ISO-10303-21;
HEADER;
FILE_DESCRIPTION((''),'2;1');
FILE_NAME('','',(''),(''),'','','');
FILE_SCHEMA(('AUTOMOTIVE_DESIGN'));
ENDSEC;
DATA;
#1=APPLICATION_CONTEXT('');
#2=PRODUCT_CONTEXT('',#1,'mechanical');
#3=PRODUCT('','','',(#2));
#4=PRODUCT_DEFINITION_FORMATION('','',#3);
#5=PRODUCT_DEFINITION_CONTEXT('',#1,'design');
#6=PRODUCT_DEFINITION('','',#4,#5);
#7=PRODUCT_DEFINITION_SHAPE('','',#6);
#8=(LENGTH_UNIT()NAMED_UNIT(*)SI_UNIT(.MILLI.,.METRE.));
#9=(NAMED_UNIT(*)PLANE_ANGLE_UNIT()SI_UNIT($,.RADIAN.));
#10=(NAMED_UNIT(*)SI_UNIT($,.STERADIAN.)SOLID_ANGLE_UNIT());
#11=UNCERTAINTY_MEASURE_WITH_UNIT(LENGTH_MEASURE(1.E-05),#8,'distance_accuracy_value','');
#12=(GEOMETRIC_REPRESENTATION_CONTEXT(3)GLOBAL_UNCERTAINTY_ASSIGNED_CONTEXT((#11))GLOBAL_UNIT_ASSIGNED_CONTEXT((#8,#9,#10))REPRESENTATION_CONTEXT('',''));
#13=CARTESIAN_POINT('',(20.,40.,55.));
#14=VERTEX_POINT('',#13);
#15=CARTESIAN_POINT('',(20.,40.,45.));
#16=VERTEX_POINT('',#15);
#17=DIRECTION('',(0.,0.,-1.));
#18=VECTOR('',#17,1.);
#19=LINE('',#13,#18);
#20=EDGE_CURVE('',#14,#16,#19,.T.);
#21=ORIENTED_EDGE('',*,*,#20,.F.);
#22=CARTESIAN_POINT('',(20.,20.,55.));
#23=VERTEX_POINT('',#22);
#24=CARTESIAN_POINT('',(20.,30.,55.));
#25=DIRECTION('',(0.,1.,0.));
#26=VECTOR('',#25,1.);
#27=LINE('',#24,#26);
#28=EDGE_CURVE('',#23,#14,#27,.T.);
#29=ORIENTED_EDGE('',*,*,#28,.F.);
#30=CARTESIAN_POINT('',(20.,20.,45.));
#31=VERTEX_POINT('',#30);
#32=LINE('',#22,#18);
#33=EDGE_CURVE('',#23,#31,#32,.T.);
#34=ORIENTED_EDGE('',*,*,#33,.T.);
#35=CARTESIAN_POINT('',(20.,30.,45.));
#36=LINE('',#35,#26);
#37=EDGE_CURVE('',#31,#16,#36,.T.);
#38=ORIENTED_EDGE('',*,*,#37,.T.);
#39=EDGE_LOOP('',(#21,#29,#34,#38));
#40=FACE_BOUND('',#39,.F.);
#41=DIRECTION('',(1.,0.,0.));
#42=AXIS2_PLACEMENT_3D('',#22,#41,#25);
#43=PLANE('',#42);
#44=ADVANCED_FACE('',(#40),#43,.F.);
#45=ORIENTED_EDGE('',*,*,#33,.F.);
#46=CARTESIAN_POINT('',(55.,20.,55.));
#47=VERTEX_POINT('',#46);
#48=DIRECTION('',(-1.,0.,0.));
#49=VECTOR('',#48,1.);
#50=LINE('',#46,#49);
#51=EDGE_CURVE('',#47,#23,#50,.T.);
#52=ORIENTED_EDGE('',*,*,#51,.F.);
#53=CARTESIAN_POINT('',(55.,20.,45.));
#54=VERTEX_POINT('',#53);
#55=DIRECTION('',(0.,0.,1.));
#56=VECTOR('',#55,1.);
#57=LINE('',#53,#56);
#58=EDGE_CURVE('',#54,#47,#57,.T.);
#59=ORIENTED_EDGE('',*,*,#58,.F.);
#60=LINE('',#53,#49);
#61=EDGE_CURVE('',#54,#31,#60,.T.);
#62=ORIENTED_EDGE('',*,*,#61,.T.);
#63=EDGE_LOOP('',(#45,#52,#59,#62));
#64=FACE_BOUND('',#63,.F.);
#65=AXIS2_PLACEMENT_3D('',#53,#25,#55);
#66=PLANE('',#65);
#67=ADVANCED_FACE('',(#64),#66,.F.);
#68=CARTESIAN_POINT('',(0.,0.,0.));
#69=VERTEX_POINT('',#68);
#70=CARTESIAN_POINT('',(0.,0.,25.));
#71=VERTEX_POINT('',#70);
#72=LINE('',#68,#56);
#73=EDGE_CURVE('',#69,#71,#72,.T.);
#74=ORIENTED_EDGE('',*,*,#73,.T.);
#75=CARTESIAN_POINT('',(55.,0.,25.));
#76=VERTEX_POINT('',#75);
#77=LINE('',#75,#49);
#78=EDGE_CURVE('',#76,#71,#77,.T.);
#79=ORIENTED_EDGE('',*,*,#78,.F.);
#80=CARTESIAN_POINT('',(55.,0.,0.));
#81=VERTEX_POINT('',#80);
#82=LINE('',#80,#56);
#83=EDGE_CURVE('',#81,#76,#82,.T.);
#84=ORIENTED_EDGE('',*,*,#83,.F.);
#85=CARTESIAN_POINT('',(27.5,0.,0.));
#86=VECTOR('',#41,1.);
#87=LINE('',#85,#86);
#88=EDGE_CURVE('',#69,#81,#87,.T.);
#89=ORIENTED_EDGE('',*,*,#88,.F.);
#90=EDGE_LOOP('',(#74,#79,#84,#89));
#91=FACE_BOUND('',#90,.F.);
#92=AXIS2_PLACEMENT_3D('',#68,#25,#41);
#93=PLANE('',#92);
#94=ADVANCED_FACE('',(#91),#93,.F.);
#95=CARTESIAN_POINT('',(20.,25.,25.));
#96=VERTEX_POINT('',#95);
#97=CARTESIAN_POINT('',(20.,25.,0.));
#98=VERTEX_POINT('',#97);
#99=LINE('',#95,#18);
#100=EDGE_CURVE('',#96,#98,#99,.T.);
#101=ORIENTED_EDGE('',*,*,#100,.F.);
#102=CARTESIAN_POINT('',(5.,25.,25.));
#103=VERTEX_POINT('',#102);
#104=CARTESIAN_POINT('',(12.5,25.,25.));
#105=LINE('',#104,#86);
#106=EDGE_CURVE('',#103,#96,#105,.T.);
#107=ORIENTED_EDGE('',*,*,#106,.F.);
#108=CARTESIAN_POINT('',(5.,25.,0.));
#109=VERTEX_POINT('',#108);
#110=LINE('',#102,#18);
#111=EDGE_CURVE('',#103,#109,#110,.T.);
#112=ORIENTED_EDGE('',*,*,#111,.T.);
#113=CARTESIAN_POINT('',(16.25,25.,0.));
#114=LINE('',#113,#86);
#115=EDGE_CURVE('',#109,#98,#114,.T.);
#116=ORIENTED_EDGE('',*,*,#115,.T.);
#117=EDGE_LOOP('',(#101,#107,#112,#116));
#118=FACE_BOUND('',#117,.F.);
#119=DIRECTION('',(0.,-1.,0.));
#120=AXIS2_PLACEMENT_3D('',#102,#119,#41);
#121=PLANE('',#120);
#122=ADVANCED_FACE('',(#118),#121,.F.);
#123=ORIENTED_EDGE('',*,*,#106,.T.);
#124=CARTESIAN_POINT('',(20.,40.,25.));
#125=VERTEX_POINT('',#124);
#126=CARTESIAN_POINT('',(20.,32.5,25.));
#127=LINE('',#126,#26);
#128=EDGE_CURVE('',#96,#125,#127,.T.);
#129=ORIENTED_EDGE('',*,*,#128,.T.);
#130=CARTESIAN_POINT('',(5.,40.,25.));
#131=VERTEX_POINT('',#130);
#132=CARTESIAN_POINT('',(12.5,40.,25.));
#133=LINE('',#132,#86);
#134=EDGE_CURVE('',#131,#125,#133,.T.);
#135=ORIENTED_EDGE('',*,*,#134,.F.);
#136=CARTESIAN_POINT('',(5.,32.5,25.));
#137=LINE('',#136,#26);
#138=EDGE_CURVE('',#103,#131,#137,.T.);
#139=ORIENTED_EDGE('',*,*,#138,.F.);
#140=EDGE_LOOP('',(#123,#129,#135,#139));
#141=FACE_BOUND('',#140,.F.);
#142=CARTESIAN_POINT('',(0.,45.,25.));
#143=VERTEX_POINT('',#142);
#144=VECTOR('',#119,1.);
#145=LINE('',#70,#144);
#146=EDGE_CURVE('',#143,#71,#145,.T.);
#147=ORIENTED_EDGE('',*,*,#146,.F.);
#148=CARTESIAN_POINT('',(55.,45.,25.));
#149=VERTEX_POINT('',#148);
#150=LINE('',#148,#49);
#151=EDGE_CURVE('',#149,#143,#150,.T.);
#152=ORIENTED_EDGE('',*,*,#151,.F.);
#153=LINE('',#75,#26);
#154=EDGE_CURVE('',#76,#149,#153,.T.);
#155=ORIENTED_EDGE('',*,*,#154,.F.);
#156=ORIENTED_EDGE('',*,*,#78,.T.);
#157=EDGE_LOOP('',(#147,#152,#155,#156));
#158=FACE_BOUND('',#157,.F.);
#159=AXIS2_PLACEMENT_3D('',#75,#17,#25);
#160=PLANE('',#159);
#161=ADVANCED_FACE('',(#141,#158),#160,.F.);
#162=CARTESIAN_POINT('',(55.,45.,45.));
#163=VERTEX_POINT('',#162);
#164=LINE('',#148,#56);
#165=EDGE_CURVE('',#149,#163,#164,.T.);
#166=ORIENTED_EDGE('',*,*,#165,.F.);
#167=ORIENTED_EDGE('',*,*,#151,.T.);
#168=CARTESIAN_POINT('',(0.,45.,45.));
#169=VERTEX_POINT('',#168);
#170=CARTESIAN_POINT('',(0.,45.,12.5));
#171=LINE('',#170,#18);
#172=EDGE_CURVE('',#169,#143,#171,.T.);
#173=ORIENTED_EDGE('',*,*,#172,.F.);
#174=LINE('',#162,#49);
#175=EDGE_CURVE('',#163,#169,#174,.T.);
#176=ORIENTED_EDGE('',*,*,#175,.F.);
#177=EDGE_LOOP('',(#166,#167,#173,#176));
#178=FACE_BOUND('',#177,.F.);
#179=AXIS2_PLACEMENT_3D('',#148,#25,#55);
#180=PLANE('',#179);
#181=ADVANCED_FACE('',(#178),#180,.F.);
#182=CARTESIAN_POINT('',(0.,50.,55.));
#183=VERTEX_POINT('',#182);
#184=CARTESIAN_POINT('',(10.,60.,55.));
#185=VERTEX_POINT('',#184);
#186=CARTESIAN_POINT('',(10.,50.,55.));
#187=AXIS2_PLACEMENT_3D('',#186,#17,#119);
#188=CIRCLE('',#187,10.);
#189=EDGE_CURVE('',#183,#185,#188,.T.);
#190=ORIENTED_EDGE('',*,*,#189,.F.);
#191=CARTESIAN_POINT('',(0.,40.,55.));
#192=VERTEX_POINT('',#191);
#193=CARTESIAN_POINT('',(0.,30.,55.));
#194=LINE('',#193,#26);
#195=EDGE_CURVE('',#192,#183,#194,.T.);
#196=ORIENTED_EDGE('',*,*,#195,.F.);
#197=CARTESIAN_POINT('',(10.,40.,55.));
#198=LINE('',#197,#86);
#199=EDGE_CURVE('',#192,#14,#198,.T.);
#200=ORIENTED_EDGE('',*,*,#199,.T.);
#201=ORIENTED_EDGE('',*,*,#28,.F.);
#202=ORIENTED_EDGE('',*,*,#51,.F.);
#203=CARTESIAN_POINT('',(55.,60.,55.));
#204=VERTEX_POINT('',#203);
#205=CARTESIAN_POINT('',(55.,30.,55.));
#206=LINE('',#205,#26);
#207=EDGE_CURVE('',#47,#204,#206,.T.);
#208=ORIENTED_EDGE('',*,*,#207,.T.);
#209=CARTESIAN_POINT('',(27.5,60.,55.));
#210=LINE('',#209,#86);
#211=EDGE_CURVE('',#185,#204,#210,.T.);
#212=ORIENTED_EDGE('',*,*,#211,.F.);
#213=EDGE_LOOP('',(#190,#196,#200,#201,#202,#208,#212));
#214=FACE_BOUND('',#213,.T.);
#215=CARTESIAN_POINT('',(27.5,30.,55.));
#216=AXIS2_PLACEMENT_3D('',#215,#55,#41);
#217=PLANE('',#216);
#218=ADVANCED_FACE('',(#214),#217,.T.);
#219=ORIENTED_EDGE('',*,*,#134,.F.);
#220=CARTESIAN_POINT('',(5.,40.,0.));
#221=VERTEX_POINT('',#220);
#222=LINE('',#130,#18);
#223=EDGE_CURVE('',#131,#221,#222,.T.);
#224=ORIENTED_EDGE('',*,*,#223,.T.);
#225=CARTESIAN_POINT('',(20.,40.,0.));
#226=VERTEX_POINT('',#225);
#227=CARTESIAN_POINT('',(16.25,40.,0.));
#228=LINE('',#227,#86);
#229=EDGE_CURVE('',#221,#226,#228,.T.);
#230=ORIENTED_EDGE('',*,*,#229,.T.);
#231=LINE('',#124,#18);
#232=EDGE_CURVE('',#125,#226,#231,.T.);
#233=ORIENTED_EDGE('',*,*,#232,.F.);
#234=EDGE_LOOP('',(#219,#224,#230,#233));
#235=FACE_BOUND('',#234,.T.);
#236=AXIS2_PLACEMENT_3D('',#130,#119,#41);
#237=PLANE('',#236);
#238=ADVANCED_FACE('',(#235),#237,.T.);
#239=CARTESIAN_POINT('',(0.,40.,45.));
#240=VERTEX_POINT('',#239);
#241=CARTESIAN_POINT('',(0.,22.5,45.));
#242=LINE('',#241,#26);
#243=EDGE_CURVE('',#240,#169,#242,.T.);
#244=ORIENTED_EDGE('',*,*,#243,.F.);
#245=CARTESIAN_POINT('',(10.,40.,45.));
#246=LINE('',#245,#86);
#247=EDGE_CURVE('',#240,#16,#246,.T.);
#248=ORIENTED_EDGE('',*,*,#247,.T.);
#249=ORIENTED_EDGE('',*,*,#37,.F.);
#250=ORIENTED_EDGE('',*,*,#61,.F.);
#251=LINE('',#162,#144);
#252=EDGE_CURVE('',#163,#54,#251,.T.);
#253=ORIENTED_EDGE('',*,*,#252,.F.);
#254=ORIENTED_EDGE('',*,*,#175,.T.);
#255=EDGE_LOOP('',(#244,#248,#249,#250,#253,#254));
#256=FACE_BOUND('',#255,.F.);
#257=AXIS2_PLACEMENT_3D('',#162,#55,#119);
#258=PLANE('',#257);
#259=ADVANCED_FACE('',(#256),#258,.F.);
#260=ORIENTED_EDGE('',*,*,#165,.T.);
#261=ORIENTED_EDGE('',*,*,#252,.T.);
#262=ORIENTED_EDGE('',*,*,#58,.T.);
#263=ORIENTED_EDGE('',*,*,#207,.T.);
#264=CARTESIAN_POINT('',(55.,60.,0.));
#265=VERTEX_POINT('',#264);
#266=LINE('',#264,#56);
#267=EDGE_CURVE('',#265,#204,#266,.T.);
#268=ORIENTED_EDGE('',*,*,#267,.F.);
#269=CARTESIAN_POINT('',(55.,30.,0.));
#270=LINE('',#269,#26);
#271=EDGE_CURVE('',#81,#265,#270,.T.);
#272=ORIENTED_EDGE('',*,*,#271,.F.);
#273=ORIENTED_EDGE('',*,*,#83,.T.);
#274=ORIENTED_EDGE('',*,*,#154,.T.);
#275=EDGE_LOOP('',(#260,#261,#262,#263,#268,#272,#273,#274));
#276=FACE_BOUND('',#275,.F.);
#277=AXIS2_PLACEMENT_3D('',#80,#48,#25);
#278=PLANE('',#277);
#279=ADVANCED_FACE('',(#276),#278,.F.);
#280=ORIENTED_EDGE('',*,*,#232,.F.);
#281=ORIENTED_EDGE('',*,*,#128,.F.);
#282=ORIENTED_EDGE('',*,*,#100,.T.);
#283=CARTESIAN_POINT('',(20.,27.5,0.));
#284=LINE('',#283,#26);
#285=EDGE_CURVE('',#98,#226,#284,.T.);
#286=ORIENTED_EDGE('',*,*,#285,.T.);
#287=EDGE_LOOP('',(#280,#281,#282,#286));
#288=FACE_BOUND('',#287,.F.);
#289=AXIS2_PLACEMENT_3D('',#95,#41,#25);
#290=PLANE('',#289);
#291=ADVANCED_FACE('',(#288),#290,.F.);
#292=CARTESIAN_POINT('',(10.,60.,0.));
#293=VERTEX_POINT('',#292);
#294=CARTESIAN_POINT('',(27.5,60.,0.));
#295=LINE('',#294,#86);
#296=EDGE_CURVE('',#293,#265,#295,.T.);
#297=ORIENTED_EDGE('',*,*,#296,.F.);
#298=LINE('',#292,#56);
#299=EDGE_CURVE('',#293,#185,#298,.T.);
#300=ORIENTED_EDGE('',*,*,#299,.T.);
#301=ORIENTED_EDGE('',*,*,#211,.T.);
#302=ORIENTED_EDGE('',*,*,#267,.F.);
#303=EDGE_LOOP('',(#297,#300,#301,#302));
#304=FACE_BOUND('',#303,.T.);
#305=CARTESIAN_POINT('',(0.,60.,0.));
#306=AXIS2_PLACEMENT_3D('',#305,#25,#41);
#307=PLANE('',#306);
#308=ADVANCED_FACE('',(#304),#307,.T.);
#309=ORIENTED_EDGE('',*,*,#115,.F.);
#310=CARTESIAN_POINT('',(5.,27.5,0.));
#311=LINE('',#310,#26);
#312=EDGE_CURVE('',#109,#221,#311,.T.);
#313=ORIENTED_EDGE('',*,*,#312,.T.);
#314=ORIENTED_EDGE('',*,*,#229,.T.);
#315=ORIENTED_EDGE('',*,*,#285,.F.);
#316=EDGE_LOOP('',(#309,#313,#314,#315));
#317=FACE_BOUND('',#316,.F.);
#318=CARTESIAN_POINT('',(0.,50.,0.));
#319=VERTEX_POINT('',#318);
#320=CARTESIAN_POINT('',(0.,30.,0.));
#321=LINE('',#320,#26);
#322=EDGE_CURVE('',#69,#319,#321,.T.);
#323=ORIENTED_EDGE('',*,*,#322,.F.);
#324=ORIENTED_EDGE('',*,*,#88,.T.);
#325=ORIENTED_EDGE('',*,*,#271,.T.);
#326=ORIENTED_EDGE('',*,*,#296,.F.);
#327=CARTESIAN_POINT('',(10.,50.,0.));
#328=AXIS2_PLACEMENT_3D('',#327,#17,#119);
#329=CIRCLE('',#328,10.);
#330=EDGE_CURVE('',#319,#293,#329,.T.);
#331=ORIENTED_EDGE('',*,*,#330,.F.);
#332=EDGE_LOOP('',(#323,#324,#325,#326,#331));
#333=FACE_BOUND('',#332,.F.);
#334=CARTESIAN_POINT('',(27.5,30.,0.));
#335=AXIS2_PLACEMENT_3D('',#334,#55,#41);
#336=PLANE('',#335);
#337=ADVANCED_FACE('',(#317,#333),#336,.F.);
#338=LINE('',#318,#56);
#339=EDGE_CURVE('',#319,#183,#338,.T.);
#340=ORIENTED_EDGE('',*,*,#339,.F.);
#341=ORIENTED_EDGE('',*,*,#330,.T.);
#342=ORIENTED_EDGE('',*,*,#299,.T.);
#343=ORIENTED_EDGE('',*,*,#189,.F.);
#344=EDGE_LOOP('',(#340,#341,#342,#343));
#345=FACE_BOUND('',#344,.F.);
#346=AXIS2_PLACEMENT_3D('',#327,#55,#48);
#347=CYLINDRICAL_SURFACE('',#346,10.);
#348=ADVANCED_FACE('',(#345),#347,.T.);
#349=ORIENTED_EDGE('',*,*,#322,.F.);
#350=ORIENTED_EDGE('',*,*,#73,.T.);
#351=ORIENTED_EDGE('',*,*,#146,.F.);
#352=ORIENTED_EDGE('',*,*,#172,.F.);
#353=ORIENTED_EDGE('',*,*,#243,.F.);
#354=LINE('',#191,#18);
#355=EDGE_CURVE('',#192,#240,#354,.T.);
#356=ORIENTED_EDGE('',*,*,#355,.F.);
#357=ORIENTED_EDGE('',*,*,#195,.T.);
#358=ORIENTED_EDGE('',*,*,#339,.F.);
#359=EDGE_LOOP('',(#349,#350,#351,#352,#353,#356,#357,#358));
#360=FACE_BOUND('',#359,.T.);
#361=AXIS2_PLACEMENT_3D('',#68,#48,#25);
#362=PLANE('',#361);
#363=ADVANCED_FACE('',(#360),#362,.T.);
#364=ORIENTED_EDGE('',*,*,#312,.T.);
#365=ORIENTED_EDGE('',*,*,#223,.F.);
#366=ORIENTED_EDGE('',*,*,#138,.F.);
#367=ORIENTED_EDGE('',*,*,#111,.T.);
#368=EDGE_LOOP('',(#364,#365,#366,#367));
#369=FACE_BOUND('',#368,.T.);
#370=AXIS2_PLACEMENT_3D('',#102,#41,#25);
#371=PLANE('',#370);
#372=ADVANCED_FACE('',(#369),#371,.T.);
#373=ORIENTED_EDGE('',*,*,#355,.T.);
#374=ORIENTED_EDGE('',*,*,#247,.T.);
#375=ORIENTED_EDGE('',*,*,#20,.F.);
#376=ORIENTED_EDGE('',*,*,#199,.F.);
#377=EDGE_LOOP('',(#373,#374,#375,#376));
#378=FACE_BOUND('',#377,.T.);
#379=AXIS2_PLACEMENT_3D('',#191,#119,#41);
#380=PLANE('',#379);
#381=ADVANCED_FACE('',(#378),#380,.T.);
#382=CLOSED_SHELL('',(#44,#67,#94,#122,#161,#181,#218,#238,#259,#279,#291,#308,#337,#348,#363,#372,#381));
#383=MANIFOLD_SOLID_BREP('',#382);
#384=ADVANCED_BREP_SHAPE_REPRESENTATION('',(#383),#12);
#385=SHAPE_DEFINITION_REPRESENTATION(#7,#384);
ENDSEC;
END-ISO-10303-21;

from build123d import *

# Parameters (mm, degrees)
F0_W     = 55
F0_H     = 60
F1_DEPTH = 55
F3_DEPTH = 55.001
F4_R     = 10
F5_W     = 20
F5_H     = 20
F6_DEPTH = 10
F7_W     = 15
F7_H     = 15
F8_DEPTH = 25.001


with BuildPart() as f1:
    # F0 (on Top) → F1 (new body)
    with BuildSketch(Plane.XY):
        with Locations((27.5, 30)):
            Rectangle(F0_W, F0_H)
    extrude(amount=F1_DEPTH)

    # F2 (on face) → F3 (cut, through all)
    with BuildSketch(Plane.YZ.offset(55)):
        Polygon((20, 55), (0, 55), (0, 25), (45, 25), (45, 45), (20, 45), align=None)
    extrude(amount=-F3_DEPTH, mode=Mode.SUBTRACT)

    # F4
    f4_edges = [f1.edges().sort_by_distance(p)[0] for p in [
        (0, 60, 27.5),
    ]]
    fillet(f4_edges, radius=F4_R)

    # F5 (on face) → F6 (cut, through all)
    with BuildSketch(Plane.XY.offset(55)):
        with Locations((10, 30)):
            Rectangle(F5_W, F5_H)
    extrude(amount=-F6_DEPTH, mode=Mode.SUBTRACT)

    # F7 (on face) → F8 (cut, through all)
    with BuildSketch(Plane.XY.offset(25)):
        with Locations((12.5, 32.5)):
            Rectangle(F7_W, F7_H)
    extrude(amount=-F8_DEPTH, mode=Mode.SUBTRACT)


solid = f1.part
